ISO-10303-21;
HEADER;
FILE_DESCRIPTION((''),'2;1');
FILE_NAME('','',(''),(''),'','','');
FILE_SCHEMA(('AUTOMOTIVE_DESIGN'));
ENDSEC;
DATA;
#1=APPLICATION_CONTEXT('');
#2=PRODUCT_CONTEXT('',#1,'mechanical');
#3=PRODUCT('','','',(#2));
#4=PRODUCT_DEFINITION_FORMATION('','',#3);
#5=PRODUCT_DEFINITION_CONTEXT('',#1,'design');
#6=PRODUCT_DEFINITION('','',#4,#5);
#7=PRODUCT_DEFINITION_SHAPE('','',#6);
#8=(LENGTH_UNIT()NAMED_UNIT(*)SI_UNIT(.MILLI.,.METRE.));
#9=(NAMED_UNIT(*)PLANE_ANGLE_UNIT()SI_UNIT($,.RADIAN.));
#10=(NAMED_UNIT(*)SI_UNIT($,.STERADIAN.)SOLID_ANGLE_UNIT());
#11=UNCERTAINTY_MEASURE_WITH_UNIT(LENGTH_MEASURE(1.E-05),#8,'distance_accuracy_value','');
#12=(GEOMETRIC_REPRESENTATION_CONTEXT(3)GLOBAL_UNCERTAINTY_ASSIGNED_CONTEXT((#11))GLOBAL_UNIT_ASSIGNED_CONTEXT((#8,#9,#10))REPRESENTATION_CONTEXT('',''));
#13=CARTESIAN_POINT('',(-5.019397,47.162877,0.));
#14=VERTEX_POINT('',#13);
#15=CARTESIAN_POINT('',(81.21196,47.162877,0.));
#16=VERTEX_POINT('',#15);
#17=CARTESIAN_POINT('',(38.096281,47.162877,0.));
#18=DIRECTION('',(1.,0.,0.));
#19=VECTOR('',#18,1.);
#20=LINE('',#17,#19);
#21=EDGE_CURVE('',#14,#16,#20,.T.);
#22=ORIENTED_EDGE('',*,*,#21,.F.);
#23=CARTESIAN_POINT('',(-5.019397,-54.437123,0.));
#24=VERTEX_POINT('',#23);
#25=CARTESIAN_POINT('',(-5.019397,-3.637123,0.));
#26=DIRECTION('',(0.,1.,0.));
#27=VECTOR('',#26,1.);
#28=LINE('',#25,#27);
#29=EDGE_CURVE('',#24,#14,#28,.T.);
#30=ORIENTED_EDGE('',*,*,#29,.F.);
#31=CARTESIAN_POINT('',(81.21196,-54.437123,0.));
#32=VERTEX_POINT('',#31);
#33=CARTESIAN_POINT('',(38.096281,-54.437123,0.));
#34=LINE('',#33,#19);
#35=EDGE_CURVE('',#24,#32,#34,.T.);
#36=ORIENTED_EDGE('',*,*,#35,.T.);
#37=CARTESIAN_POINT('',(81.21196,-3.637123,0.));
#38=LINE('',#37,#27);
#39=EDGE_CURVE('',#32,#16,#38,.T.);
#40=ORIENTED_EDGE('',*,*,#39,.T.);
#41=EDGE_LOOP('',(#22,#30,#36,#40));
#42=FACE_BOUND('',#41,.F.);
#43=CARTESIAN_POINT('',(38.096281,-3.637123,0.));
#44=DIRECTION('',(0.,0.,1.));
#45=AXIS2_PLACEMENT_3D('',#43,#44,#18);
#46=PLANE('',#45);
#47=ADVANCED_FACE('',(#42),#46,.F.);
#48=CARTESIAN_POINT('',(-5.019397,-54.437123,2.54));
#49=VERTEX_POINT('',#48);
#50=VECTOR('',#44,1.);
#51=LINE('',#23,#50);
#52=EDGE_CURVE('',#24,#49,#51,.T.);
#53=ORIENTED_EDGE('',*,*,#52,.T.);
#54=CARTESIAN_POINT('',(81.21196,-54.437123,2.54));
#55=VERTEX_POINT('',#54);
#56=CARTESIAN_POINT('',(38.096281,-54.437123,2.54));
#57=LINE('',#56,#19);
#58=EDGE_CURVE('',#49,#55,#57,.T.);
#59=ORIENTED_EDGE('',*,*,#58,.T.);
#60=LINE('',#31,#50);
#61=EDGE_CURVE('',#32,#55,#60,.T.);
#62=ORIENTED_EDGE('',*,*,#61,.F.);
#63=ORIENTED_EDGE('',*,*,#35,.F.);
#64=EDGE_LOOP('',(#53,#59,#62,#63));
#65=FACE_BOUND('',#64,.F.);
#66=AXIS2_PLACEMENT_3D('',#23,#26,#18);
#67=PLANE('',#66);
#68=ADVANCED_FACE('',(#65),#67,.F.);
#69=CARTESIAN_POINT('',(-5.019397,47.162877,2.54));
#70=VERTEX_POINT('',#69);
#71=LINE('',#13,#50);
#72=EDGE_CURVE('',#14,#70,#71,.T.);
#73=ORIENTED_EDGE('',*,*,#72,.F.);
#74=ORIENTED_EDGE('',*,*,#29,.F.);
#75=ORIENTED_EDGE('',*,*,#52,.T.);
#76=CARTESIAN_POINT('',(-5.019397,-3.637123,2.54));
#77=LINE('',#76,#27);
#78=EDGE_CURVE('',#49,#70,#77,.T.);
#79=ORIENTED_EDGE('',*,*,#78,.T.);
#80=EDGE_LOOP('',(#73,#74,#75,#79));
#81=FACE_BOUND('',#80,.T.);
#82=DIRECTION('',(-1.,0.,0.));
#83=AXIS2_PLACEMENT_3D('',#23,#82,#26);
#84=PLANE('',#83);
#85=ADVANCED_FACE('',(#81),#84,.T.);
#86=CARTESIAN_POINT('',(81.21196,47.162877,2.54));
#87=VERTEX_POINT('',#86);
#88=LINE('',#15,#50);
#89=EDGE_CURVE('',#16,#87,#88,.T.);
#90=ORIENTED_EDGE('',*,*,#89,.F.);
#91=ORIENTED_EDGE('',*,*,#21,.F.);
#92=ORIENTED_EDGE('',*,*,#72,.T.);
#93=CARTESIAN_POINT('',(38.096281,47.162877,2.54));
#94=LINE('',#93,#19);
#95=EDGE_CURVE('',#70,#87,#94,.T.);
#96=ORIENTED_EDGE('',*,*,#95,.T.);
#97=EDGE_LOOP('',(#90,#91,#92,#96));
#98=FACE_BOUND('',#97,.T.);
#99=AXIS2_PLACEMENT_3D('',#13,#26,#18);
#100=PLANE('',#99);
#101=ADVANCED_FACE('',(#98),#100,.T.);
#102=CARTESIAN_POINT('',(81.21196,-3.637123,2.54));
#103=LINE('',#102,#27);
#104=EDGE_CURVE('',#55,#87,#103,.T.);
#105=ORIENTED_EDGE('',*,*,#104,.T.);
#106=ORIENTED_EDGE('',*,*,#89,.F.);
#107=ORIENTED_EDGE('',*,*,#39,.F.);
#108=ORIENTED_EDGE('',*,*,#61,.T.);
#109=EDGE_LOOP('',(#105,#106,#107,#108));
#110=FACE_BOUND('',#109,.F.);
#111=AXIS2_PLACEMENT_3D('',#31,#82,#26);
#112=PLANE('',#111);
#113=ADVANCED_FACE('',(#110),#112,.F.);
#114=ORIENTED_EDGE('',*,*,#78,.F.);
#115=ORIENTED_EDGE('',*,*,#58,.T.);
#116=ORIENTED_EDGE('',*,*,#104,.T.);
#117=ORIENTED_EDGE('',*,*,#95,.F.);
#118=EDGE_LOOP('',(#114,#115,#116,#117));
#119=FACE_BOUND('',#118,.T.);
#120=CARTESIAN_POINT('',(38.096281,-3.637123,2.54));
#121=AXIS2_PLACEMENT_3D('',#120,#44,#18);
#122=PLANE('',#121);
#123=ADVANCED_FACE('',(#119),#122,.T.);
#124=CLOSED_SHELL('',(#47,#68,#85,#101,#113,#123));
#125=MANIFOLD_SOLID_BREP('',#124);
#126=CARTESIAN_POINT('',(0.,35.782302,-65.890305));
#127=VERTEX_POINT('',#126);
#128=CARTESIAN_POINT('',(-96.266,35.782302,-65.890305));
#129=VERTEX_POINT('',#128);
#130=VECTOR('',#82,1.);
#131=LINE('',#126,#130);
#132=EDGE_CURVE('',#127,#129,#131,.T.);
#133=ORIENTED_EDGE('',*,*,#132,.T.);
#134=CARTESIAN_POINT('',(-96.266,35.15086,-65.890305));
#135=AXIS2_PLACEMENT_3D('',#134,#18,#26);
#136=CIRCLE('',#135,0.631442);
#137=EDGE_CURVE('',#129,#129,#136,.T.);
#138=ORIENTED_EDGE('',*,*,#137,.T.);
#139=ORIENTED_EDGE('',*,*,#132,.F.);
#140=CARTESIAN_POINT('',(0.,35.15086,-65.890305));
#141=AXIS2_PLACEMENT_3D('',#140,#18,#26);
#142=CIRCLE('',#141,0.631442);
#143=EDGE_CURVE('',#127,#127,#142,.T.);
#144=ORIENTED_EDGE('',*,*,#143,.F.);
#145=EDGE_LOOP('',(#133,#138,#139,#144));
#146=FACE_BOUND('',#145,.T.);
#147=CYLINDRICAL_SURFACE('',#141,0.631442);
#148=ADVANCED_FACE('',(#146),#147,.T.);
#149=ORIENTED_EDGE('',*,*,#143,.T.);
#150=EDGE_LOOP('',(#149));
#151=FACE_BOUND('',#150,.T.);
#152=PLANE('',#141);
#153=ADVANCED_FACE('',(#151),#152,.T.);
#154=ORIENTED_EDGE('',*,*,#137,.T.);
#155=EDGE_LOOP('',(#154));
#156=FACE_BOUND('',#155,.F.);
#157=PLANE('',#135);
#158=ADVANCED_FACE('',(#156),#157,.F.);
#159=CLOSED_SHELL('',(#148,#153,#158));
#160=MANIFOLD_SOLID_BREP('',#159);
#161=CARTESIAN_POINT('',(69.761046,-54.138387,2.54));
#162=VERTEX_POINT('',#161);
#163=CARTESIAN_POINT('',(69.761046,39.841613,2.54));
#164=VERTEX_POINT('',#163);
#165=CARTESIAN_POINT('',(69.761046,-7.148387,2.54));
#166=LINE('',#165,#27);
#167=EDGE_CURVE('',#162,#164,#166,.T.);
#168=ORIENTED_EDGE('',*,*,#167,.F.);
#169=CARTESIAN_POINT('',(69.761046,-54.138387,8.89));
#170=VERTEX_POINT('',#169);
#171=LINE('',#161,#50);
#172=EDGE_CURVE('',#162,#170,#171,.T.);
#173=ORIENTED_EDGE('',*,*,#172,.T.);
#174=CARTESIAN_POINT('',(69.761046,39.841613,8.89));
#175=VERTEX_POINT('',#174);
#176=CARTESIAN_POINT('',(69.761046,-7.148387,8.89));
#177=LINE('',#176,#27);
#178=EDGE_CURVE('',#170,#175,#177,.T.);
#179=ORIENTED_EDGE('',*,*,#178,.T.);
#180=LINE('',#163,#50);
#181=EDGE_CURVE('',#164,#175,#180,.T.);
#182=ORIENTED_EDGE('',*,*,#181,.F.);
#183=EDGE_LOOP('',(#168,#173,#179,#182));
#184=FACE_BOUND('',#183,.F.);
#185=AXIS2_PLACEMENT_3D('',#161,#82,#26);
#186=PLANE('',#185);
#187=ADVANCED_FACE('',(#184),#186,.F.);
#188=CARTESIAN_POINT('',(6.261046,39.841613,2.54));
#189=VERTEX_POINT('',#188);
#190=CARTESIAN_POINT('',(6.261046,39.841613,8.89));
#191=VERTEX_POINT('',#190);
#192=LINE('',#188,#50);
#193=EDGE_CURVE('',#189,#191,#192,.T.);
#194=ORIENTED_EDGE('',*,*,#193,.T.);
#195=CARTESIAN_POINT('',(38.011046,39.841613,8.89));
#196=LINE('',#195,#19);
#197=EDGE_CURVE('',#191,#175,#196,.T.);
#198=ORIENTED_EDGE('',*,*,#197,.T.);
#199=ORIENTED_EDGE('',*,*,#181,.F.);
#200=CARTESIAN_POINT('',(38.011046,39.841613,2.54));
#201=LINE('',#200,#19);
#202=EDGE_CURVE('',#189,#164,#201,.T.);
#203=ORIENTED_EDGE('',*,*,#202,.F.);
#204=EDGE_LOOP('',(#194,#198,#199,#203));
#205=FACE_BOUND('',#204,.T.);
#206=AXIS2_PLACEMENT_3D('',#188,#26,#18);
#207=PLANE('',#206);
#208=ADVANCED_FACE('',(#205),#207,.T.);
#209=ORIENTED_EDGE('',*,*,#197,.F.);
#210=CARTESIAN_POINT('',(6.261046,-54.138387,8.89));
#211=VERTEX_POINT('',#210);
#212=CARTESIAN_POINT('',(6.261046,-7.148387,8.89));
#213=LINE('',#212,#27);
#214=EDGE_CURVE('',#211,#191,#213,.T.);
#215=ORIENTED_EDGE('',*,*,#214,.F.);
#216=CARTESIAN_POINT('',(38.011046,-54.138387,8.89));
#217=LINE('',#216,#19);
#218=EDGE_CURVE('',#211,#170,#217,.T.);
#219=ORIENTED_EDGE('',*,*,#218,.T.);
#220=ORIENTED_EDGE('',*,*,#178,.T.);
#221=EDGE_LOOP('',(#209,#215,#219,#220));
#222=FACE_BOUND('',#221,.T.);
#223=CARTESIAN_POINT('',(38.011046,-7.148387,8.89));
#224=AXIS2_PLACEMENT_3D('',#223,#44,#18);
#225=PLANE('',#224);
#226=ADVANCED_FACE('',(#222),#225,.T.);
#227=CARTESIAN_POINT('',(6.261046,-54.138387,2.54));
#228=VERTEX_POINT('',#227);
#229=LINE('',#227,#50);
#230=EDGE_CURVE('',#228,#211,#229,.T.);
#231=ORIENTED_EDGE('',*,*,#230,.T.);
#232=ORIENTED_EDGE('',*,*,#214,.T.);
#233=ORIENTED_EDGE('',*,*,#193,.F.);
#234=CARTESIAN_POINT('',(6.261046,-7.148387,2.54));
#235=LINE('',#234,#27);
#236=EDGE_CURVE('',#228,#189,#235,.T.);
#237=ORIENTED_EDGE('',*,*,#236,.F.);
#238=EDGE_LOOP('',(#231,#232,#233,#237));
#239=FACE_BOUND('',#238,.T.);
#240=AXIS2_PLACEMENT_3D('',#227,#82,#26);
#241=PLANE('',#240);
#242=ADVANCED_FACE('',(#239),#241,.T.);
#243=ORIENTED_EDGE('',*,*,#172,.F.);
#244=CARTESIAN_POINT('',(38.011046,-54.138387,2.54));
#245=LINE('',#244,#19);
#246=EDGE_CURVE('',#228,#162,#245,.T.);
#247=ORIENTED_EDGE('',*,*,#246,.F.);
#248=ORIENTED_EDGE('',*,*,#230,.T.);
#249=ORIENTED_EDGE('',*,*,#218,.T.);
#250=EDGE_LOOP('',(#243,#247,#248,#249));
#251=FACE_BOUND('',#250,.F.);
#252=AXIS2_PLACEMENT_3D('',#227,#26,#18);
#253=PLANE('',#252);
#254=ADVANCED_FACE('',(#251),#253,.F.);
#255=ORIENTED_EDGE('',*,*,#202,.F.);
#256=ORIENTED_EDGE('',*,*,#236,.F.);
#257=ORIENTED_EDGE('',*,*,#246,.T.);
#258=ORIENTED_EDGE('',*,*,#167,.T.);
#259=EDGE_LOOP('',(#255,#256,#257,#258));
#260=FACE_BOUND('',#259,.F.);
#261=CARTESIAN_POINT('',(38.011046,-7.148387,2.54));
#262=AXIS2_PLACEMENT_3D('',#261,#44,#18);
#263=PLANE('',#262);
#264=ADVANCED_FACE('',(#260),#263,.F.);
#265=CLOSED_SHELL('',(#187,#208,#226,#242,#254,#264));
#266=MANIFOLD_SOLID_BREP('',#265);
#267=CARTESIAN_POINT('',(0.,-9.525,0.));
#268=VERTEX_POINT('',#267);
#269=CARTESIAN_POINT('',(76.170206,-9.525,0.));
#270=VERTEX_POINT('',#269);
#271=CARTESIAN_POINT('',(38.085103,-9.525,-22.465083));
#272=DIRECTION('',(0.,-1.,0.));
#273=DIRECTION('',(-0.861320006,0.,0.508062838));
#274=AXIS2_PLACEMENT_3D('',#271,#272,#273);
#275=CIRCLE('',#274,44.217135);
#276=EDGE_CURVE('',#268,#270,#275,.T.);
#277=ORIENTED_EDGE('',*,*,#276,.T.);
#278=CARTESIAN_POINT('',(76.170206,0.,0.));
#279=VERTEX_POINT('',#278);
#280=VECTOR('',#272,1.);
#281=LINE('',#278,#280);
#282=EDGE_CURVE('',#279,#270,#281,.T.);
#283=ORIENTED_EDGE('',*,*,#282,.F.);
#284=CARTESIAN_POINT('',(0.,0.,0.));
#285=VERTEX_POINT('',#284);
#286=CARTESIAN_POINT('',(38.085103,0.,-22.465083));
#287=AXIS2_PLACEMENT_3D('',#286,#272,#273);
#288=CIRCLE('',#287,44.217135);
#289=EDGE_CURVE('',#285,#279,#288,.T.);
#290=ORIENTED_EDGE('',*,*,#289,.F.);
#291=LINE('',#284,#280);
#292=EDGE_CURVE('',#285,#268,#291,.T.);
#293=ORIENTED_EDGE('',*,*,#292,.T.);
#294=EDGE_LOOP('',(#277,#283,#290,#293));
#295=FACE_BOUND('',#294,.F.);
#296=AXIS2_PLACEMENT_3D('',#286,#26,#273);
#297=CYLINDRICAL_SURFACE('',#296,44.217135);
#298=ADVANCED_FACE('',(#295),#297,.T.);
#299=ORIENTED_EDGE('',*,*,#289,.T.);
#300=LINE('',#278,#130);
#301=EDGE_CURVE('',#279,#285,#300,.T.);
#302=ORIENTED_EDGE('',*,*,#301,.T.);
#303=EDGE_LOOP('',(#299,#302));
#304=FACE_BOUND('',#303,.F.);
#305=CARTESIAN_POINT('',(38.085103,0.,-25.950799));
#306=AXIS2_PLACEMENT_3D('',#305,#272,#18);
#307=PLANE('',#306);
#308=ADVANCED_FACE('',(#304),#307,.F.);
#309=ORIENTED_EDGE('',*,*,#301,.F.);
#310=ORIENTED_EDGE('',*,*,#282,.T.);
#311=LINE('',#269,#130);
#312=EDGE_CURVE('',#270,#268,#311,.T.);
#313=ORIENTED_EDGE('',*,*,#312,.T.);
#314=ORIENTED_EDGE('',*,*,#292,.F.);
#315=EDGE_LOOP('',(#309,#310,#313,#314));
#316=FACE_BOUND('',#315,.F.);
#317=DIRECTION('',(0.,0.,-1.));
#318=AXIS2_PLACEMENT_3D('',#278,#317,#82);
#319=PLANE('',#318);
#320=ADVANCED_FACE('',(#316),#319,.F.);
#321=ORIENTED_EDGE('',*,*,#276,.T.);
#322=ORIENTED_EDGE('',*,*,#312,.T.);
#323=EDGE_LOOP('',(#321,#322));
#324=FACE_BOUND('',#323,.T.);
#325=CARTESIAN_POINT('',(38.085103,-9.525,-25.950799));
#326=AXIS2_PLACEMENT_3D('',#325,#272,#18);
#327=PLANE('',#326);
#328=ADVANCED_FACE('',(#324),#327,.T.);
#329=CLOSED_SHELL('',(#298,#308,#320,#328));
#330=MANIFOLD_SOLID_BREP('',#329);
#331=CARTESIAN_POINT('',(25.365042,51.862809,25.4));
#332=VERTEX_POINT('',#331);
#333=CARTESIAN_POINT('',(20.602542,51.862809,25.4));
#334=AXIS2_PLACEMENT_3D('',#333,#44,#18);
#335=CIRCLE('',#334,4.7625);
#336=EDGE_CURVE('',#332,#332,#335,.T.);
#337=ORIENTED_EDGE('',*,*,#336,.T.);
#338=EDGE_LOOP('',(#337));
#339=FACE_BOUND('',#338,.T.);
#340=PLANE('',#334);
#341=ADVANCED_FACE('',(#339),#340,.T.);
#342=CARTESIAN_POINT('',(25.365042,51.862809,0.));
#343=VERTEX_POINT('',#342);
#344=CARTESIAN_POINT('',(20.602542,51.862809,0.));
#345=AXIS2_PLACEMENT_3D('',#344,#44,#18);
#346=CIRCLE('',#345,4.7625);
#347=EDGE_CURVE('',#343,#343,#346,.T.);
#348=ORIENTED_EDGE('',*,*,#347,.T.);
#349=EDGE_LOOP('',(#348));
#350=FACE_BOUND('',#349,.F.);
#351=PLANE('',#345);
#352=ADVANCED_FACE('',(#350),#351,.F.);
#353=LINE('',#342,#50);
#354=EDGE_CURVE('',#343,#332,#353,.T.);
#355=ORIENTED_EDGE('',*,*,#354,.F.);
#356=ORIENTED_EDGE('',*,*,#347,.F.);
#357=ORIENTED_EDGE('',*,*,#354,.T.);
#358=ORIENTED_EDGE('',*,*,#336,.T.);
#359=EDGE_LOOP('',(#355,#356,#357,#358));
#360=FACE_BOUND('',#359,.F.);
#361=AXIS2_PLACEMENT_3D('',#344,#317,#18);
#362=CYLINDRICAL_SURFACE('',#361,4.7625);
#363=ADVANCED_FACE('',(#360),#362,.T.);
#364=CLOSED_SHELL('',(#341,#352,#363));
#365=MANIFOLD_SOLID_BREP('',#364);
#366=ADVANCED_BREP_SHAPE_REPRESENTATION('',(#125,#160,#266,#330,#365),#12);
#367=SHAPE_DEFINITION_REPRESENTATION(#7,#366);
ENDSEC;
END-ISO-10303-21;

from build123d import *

# Parameters (mm, degrees)
F1_DEPTH = 9.525
F2_W     = 86.231357418
F2_H     = 101.6
F2_W_2   = 76.1702060699
F2_H_2   = 9.525
F3_DEPTH = 2.54
F4_W     = 63.5
F4_H     = 93.98
F5_DEPTH = 6.35
F6_R     = 4.7625
F7_DEPTH = 25.4
F8_R     = 0.6314423054
F9_DEPTH = 96.266


with BuildPart() as f1:
    # F0 (on Front) → F1 (new body)
    with BuildSketch(Plane.XZ):
        with BuildLine():
            Line((76.1702060699, 0), (0, 0))
            ThreePointArc((0, 0), (38.085103035, -66.682218169), (76.1702060699, 0))
        make_face()
    extrude(amount=F1_DEPTH)


with BuildPart() as f3:
    # F2 (on face) → F3 (new body)
    with BuildSketch(Plane.XY):
        with Locations((38.0962812342, -3.637123239)):
            Rectangle(F2_W, F2_H)
        with Locations((38.085103035, -4.7625)):
            Rectangle(F2_W_2, F2_H_2, mode=Mode.SUBTRACT)
        with Locations((38.085103035, -4.7625)):
            Rectangle(F2_W_2, F2_H_2)
    extrude(amount=F3_DEPTH)


with BuildPart() as f5:
    # F4 (on face) → F5 (new body)
    with BuildSketch(Plane.XY.offset(2.54)):
        with Locations((38.0110456608, -7.1483870876)):
            Rectangle(F4_W, F4_H)
    extrude(amount=F5_DEPTH)


with BuildPart() as f7:
    # F6 (on Top) → F7 (new body)
    with BuildSketch(Plane.XY):
        with Locations((20.6025417734, 51.8628093516)):
            Circle(F6_R)
    extrude(amount=F7_DEPTH)


with BuildPart() as f9:
    # F8 (on Right) → F9 (new body)
    with BuildSketch(Plane.YZ):
        with Locations((35.1508595049, -65.8903047442)):
            Circle(F8_R)
    extrude(amount=-F9_DEPTH)


solid = Compound([f1.part, f3.part, f5.part, f7.part, f9.part])
